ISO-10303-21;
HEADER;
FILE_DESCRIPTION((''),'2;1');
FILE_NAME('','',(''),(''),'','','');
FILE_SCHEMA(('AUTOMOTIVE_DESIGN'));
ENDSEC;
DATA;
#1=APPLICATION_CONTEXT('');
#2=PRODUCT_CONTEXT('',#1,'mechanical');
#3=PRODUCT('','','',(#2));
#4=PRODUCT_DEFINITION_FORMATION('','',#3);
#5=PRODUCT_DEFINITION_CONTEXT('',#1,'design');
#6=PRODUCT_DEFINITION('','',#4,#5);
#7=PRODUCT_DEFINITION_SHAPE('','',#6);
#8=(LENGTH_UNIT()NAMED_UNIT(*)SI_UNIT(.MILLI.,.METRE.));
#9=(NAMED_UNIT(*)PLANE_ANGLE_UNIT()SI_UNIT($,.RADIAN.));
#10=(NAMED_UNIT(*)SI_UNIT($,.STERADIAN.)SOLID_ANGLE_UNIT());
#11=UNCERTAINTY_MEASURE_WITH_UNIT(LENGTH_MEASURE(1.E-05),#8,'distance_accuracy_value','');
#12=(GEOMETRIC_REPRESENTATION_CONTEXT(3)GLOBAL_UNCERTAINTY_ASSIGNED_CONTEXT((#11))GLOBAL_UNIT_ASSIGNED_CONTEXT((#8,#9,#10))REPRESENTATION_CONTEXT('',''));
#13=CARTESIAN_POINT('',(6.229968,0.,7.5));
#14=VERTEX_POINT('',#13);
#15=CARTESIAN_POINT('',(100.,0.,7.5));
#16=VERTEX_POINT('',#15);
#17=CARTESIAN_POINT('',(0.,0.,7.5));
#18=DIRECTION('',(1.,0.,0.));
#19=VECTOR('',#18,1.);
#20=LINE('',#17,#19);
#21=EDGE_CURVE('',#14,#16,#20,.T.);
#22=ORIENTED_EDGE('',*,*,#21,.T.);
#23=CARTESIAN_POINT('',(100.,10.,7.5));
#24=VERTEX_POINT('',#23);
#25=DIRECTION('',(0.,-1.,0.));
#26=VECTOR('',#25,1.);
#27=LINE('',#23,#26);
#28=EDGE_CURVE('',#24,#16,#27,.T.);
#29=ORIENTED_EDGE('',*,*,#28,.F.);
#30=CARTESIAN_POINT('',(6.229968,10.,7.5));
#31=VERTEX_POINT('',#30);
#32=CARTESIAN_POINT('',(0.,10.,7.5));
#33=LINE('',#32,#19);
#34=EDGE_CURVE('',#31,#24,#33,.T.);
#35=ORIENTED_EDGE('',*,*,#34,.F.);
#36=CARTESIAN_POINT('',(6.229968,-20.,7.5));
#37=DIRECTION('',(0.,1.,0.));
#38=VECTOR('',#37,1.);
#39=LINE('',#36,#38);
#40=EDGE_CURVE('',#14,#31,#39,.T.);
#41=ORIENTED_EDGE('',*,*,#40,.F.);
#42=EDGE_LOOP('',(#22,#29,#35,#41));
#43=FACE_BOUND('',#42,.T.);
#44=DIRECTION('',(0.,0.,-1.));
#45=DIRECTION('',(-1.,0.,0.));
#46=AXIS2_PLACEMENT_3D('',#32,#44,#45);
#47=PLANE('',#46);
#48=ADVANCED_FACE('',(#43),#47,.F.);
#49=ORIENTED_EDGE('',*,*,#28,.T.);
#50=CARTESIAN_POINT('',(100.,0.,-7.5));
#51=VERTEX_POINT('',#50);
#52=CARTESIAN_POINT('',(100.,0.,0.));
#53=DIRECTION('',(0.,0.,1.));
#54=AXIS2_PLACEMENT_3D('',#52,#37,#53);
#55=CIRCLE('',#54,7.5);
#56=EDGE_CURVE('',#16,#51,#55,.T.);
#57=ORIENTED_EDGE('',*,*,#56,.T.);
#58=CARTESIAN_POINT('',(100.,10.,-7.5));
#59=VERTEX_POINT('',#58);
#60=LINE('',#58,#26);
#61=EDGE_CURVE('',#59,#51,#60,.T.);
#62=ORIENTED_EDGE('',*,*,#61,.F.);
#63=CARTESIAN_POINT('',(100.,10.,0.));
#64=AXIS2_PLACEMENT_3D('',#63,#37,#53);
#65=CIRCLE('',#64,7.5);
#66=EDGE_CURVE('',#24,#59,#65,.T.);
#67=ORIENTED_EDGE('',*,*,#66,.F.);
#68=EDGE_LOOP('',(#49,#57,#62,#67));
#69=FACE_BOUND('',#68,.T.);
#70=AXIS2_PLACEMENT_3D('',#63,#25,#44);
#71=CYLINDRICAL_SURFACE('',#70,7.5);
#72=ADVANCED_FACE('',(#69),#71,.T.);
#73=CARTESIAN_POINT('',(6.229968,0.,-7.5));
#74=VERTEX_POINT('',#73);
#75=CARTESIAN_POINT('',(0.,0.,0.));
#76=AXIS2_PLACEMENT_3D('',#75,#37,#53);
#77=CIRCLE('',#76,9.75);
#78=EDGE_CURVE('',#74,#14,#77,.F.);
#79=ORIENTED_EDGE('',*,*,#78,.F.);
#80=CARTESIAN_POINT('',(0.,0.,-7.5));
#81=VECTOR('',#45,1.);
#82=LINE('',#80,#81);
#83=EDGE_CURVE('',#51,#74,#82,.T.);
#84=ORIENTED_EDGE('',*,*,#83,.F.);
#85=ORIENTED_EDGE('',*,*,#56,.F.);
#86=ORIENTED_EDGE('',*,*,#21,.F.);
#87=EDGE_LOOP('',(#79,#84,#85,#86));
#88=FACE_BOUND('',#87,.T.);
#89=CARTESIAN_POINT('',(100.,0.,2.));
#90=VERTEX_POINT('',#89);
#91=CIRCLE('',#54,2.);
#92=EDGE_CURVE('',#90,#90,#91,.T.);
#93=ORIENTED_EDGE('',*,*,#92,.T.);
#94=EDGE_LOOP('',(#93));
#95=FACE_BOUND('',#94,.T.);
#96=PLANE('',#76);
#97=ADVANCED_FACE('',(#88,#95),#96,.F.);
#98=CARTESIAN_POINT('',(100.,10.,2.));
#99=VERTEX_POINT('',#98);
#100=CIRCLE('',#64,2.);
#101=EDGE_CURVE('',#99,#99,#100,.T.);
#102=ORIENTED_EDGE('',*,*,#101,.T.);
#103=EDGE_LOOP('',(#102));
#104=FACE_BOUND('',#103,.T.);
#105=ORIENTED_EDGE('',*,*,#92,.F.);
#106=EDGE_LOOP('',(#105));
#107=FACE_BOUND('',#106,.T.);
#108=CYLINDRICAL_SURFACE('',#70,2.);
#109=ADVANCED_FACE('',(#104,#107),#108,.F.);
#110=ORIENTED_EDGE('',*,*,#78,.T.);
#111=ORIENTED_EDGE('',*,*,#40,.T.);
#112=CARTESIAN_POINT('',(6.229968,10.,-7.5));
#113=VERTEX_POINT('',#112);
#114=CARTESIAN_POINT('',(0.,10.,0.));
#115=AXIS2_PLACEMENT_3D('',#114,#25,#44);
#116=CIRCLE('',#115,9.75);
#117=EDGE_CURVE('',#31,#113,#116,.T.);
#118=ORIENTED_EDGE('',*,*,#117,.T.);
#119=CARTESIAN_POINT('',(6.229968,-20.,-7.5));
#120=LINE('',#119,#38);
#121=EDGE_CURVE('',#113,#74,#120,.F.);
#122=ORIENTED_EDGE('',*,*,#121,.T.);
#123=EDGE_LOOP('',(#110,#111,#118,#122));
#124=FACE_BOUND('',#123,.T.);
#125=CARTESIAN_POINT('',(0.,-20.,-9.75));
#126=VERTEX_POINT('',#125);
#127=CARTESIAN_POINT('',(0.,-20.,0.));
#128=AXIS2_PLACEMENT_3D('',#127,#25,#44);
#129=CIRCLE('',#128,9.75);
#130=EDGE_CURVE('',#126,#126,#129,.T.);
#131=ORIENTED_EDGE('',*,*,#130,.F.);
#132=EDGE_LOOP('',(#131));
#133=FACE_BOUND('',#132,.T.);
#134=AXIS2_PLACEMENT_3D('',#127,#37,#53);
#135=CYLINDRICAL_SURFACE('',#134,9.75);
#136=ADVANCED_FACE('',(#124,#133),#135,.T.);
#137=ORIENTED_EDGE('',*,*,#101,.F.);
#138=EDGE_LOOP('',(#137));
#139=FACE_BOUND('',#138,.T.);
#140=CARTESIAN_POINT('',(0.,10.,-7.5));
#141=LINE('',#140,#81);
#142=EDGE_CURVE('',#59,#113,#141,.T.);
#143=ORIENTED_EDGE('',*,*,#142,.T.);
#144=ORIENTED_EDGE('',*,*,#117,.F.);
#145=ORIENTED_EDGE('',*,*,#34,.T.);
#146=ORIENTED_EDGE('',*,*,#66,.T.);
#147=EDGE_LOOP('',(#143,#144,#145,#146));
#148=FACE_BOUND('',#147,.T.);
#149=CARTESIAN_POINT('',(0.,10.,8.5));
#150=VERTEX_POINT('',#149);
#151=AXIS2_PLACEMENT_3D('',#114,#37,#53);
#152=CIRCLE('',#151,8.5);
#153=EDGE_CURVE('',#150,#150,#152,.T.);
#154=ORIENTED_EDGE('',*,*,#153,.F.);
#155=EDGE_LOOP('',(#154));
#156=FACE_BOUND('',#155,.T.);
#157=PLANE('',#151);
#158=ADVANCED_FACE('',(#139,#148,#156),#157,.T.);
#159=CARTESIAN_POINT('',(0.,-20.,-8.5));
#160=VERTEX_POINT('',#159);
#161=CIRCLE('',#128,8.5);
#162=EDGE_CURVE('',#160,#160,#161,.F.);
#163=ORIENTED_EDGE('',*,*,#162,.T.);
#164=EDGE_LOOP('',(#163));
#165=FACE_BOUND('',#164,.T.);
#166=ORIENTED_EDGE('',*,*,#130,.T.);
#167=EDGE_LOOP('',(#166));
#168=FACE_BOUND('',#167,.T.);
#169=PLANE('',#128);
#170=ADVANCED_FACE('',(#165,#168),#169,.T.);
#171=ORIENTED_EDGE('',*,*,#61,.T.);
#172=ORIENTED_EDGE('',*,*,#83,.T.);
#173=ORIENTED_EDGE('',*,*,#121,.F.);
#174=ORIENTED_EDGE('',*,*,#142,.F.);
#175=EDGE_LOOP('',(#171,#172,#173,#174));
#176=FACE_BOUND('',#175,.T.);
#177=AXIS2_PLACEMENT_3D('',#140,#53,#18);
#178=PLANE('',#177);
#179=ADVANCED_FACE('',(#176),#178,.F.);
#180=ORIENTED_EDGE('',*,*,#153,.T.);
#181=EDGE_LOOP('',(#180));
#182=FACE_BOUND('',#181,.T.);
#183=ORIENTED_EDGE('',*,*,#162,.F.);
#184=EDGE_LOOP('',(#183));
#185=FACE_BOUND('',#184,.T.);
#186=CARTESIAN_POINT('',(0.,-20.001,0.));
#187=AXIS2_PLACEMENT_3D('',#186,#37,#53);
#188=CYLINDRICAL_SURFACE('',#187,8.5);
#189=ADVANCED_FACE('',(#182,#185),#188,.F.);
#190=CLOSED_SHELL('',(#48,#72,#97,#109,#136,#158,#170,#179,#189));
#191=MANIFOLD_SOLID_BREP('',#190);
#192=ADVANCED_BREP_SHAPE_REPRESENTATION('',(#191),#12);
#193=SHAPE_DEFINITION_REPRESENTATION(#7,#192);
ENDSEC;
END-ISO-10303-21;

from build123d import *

# Parameters (mm, degrees)
SKETCH2_R           = 2.5
SKETCH2_R_2         = 2
BOSS_EXTRUDE1_DEPTH = 10
SKETCH3_R           = 9.75
BOSS_EXTRUDE2_DEPTH = 30
CUT_EXTRUDE1_REACH  = 32
SKETCH4_R           = 8.5


with BuildPart() as part:
    # Sketch2 → Boss-Extrude1 (new body)
    with BuildSketch(Plane(origin=(0, 0, 0), x_dir=(1, 0, 0), z_dir=(0, 1, 0))):
        with BuildLine():
            Line((0, 7.5), (100, 7.5))
            ThreePointArc((100, 7.5), (107.5, 0), (100, -7.5))
            Line((100, -7.5), (0, -7.5))
            ThreePointArc((0, -7.5), (-7.5, 0), (0, 7.5))
        make_face()
        Circle(SKETCH2_R, mode=Mode.SUBTRACT)
        with Locations((100, 0)):
            Circle(SKETCH2_R_2, mode=Mode.SUBTRACT)
    extrude(amount=BOSS_EXTRUDE1_DEPTH)

    # Sketch3 → Boss-Extrude2 (add)
    with BuildSketch(Plane(origin=(0, 10, 0), x_dir=(-1, 0, 0), z_dir=(0, -1, 0))):
        Circle(SKETCH3_R)
    extrude(amount=BOSS_EXTRUDE2_DEPTH)

    # Sketch4 → Cut-Extrude1 (cut, up to next)
    with BuildSketch(Plane(origin=(0, 10, 0), x_dir=(1, 0, 0), z_dir=(0, 1, 0)), mode=Mode.PRIVATE) as cut_extrude1_sk1:
        Circle(SKETCH4_R)
    cut_extrude1_tool1 = extrude(cut_extrude1_sk1.sketch, amount=-CUT_EXTRUDE1_REACH, mode=Mode.PRIVATE) & part.part
    add(cut_extrude1_tool1.solids().sort_by_distance((0, 10, 0))[0], mode=Mode.SUBTRACT)


solid = part.part
